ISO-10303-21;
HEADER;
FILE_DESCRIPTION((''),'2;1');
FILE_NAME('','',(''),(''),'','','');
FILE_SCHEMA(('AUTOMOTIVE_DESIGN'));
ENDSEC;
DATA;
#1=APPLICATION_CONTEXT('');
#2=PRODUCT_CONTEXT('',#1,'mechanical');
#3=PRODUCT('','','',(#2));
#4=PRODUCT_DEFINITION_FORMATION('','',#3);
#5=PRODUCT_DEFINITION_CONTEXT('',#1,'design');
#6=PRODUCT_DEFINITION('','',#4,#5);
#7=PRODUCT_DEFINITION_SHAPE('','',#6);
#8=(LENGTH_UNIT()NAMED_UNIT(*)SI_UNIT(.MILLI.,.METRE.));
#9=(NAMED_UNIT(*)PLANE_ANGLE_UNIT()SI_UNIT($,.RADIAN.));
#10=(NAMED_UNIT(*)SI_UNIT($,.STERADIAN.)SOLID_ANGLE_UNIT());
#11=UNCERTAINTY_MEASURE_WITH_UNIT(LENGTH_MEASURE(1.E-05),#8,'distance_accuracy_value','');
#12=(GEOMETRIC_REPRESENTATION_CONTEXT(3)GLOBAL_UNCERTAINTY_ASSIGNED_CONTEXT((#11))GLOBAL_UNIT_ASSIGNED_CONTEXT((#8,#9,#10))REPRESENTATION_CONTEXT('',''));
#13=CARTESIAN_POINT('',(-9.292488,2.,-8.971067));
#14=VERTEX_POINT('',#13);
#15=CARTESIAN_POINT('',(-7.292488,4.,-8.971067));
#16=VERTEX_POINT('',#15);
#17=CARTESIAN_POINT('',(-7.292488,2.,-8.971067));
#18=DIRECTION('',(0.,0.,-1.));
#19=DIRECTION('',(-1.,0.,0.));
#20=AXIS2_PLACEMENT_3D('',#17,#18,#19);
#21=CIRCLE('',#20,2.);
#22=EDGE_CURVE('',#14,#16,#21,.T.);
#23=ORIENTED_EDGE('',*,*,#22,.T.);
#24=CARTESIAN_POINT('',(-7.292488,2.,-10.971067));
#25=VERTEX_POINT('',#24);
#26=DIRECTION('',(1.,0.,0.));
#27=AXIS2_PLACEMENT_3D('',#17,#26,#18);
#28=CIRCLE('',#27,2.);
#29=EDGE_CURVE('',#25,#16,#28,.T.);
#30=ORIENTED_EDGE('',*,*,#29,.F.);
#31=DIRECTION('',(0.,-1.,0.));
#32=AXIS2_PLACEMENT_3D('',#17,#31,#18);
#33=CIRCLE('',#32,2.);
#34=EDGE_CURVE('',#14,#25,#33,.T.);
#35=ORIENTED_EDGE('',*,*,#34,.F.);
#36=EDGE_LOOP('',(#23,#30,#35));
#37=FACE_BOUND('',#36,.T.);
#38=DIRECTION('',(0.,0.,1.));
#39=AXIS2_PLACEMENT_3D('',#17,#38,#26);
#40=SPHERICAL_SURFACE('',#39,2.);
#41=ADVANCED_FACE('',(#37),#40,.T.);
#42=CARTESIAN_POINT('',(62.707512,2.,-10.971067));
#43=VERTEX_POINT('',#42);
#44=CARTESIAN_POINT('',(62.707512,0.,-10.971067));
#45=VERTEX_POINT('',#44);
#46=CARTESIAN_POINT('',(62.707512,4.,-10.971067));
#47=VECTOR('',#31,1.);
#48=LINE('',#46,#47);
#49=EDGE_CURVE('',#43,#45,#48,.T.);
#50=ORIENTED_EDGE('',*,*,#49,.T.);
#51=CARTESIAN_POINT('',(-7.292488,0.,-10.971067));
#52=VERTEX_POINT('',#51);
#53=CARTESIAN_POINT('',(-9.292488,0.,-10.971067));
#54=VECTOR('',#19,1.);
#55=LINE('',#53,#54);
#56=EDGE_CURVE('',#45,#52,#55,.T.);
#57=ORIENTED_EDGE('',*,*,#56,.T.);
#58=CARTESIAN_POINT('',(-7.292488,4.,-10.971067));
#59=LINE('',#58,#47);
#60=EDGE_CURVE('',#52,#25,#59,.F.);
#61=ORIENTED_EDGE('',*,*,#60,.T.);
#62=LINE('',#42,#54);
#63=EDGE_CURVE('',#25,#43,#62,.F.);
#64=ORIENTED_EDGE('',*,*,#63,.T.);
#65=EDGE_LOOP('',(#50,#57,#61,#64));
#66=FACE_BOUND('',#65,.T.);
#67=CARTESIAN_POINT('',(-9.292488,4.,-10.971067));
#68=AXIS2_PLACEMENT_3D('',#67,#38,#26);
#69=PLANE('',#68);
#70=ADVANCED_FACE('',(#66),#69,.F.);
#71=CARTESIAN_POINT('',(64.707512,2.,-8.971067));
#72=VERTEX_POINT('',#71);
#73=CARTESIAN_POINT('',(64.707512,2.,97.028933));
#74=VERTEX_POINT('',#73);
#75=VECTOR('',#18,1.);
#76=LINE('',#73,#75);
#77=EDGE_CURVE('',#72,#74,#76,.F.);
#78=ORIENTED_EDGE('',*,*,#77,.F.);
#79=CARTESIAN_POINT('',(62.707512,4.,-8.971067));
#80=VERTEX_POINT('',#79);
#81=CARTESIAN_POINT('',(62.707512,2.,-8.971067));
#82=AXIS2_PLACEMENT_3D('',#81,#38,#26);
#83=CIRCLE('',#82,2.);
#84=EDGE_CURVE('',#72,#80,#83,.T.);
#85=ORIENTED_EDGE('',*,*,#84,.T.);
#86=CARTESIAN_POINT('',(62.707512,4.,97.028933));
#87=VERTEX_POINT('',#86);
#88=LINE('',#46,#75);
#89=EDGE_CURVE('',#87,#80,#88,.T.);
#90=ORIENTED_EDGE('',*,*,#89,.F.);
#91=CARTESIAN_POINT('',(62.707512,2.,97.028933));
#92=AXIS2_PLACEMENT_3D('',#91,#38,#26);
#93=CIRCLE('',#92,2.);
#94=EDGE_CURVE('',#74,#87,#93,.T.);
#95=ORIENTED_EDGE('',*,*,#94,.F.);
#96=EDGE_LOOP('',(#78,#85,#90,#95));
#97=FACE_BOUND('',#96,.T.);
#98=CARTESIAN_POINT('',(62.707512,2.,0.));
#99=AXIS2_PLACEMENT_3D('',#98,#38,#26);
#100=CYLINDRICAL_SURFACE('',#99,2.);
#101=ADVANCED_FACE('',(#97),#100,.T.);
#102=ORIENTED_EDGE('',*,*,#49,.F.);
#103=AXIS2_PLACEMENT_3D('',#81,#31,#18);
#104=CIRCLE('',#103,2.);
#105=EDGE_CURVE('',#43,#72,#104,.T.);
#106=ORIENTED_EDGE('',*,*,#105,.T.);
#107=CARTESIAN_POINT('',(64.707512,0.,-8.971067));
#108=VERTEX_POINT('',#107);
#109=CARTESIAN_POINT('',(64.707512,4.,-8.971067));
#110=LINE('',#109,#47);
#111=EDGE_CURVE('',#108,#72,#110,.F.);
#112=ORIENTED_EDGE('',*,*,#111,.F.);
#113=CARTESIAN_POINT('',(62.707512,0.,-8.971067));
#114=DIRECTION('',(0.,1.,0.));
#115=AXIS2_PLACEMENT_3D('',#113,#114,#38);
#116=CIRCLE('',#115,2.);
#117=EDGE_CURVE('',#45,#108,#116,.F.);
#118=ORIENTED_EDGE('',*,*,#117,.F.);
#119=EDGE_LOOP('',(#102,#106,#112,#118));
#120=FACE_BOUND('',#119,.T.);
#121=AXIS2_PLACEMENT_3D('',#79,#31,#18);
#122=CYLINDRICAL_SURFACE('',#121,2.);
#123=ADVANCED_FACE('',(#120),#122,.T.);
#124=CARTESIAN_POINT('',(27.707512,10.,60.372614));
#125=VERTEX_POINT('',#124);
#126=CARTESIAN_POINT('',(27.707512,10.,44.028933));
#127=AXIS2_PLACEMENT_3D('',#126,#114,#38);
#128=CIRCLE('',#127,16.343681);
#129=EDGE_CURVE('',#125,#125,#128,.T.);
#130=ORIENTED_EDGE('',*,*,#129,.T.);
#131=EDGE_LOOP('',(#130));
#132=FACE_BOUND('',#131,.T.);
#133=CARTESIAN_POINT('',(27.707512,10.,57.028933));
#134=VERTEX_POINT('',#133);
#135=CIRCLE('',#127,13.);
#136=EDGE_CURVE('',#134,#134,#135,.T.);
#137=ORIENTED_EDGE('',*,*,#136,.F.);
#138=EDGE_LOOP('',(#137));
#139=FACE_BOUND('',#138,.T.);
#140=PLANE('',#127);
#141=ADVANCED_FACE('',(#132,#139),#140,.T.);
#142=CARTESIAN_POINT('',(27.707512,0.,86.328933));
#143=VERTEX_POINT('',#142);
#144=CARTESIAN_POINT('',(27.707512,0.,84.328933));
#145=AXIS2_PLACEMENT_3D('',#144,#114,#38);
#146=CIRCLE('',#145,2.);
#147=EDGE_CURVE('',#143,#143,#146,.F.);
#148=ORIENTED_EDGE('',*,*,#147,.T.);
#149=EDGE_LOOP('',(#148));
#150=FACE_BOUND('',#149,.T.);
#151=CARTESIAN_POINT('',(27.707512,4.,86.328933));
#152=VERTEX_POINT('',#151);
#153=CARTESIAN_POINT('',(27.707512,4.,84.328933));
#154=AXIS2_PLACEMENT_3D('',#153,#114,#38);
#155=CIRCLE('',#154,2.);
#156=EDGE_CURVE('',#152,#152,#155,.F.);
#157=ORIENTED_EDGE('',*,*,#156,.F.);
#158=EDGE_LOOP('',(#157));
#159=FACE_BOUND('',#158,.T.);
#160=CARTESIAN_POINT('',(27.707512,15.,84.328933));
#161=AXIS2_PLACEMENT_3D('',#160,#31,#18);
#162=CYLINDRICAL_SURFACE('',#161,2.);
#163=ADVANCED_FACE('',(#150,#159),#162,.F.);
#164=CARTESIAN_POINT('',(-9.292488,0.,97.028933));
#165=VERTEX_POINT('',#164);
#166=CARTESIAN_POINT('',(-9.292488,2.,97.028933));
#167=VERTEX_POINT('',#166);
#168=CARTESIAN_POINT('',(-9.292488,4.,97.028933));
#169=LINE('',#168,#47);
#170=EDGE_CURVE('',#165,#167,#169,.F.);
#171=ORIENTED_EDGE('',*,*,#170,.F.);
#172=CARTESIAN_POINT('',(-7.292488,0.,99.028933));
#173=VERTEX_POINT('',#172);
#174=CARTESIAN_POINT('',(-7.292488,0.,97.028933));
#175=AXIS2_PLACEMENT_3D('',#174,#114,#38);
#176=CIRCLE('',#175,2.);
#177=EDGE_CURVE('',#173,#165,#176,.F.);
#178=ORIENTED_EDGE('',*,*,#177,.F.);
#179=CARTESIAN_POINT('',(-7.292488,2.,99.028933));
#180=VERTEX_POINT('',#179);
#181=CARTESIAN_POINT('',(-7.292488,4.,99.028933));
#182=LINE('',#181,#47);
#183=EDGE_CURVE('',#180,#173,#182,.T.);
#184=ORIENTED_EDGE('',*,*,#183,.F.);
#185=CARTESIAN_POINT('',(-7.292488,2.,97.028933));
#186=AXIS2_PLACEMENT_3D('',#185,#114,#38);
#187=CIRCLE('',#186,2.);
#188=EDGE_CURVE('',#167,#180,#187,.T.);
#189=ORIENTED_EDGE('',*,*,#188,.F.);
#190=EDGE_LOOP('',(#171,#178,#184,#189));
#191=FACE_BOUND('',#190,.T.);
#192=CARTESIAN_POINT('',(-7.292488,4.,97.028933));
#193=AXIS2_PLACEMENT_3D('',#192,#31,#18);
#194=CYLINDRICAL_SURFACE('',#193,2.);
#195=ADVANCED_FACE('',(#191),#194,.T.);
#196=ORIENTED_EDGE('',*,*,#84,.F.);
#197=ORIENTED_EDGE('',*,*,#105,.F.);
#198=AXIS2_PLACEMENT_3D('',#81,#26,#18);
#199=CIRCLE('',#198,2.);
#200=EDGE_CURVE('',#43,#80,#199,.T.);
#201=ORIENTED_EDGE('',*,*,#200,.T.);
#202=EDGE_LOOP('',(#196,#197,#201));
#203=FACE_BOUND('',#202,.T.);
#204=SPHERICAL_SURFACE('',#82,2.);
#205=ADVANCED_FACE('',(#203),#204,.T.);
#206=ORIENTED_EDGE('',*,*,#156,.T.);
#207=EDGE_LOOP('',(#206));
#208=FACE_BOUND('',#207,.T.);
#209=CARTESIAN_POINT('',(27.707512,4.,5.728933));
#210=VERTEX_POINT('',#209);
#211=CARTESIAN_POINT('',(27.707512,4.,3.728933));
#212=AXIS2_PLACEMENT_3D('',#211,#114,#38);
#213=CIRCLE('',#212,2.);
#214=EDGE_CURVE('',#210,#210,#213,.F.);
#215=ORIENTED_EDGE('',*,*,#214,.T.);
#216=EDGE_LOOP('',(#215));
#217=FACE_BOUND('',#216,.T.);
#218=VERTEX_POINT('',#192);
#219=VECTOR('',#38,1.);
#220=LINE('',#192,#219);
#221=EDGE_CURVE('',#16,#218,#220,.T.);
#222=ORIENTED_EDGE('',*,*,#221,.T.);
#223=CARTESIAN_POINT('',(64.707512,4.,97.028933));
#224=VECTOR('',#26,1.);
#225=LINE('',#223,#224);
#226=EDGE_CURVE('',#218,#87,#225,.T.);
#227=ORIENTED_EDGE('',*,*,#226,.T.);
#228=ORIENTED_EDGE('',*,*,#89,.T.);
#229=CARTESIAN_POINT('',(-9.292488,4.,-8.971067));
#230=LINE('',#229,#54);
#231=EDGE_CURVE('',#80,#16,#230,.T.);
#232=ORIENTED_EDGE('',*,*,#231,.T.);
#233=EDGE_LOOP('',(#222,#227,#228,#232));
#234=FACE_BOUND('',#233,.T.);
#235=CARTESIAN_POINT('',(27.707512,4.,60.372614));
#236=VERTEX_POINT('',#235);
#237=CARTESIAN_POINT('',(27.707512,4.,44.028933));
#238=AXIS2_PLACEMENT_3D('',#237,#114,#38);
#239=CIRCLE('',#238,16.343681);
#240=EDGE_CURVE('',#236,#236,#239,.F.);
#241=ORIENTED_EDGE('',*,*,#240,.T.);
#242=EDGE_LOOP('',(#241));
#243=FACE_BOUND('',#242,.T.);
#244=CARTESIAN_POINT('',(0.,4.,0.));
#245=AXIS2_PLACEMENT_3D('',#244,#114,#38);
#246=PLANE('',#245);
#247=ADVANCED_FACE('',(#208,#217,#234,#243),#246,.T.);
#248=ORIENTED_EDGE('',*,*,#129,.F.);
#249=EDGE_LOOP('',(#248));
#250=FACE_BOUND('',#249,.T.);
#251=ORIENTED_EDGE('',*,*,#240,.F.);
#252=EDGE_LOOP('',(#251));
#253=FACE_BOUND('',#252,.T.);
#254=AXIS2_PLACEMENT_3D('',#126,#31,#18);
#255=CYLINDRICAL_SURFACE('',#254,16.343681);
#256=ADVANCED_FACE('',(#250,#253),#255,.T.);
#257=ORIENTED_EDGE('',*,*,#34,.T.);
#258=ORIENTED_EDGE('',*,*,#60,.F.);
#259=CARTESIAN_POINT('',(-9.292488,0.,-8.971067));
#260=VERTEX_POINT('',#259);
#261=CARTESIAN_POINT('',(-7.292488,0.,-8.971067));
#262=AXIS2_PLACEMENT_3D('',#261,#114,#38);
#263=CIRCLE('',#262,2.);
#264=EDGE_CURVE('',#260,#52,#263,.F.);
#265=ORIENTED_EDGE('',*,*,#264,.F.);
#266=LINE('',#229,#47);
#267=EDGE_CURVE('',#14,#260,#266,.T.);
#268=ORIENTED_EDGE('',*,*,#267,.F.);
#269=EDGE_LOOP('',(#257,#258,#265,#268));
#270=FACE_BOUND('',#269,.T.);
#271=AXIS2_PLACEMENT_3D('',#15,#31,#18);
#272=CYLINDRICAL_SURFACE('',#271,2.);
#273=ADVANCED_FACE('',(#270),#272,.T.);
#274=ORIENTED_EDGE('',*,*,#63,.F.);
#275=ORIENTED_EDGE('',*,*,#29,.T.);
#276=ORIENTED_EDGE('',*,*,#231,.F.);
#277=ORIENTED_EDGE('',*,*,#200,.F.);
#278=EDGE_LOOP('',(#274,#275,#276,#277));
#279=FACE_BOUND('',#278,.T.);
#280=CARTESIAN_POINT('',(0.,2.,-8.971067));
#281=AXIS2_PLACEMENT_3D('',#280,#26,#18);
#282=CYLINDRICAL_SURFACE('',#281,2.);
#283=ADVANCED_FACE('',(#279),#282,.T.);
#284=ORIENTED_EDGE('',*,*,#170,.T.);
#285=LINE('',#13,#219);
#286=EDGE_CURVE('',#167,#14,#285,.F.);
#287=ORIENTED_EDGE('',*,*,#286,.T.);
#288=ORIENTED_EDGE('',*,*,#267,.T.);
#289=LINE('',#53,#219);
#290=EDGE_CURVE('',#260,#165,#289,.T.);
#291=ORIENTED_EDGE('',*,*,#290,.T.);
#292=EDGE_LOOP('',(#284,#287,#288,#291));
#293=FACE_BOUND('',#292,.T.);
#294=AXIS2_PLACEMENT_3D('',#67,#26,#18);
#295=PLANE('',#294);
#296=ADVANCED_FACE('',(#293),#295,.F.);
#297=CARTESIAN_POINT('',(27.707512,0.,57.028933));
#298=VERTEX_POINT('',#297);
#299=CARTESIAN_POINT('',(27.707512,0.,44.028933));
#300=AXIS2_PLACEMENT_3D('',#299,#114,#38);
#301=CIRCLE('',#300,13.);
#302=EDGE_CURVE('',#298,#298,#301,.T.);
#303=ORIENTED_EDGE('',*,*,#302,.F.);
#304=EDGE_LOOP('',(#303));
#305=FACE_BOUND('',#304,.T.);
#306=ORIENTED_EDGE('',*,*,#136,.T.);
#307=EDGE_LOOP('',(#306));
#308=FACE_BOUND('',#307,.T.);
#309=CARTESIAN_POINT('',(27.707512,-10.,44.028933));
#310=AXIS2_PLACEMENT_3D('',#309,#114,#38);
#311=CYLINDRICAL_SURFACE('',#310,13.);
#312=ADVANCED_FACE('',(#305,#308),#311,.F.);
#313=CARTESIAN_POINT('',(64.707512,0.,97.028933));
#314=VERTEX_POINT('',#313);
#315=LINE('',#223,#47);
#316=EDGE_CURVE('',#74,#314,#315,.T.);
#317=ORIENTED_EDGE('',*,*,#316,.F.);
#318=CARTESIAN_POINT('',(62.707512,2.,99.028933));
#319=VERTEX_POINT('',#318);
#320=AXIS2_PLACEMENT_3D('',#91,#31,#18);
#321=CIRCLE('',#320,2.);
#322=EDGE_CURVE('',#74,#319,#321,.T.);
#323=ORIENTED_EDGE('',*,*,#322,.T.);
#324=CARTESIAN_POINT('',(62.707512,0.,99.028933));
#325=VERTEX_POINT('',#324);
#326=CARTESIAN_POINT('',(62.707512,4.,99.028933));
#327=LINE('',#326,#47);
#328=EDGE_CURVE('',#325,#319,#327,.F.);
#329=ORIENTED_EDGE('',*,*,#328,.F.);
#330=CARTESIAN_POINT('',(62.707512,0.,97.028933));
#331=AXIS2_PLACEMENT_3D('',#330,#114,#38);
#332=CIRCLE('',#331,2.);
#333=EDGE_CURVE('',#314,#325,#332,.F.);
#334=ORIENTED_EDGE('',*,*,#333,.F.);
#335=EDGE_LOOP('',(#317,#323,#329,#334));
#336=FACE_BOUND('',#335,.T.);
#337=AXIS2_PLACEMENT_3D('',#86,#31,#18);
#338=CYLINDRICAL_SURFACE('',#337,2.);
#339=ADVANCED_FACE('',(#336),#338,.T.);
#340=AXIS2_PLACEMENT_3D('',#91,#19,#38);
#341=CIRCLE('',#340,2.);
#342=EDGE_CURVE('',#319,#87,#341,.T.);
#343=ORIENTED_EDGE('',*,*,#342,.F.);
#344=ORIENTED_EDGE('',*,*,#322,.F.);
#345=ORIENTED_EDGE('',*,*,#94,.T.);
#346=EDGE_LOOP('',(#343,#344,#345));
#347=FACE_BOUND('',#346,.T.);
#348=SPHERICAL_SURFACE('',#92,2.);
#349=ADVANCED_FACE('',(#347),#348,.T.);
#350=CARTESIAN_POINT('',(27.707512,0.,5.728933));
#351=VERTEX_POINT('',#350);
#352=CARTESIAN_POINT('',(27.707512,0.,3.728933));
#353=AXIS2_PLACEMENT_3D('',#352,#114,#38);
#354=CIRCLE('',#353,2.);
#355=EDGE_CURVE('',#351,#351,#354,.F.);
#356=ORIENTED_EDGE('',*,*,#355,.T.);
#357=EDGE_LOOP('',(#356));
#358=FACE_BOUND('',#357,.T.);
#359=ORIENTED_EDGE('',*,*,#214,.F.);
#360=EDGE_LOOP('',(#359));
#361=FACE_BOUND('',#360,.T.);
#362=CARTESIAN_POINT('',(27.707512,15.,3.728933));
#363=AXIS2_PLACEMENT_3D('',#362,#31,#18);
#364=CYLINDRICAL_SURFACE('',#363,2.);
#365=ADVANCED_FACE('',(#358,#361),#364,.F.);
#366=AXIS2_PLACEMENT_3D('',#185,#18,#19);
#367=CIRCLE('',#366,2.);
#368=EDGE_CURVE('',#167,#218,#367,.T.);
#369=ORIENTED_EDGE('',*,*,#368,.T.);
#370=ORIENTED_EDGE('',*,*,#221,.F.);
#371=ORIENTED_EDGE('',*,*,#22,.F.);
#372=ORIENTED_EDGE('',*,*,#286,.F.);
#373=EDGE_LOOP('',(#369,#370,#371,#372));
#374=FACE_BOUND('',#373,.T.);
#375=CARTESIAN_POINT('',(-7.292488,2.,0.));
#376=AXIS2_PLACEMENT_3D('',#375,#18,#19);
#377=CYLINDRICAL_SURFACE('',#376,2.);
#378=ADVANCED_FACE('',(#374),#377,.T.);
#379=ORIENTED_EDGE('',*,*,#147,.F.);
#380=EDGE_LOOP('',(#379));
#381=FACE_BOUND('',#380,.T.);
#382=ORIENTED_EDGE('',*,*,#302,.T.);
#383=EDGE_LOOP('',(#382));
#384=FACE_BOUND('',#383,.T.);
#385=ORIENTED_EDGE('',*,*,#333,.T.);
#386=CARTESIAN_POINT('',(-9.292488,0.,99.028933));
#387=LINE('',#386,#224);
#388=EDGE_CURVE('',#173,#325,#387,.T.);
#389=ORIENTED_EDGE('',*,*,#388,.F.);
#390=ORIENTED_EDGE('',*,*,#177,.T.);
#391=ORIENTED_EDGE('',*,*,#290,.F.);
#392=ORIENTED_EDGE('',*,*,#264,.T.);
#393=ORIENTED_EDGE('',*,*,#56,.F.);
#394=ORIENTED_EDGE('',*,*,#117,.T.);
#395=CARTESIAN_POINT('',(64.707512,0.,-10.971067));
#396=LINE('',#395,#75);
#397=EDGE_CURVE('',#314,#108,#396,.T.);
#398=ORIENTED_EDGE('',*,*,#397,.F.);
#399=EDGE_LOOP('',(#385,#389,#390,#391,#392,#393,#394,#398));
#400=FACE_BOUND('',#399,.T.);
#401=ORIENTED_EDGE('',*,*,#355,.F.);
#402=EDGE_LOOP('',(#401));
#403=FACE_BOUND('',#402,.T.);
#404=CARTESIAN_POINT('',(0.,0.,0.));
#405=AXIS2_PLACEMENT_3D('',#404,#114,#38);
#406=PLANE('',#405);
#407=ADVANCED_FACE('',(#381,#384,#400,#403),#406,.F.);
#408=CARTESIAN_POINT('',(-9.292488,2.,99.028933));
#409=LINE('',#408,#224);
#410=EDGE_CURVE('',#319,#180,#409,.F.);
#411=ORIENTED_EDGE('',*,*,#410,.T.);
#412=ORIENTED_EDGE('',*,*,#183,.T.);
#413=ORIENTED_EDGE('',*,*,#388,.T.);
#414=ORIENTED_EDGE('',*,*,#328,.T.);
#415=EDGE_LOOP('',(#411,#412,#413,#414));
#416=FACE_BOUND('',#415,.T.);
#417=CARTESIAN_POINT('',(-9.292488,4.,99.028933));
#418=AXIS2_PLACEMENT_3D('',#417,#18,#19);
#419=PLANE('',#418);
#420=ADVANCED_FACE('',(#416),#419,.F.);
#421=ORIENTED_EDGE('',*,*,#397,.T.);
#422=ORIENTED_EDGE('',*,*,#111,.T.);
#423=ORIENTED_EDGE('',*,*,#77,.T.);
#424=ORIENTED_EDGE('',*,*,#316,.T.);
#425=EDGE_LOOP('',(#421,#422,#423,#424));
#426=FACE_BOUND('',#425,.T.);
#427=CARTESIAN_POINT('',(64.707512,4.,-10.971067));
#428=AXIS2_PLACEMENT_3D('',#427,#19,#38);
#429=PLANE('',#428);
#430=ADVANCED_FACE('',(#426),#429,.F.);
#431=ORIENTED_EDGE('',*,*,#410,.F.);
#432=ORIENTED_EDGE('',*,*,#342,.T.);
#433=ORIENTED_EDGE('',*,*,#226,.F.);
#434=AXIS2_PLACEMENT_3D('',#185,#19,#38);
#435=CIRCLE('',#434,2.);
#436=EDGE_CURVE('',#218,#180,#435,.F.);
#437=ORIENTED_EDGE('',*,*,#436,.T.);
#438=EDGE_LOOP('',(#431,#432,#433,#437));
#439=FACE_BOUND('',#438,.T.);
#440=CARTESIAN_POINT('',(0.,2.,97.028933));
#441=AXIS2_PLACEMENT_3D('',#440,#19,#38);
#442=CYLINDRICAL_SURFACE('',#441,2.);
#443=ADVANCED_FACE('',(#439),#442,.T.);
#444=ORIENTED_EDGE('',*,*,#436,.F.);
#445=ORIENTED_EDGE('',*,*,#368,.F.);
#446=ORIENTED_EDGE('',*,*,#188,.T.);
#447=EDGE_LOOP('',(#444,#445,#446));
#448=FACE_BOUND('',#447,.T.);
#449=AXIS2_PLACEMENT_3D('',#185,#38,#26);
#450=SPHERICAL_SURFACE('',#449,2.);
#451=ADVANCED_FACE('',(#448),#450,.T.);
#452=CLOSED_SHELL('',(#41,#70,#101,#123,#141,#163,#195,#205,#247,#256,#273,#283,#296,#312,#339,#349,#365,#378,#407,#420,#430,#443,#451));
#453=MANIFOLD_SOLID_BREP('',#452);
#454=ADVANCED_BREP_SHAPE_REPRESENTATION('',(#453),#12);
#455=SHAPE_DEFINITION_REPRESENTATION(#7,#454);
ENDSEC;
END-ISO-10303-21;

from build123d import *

# Parameters (mm, degrees)
ESBO_O1_W                  = 74
ESBO_O1_H                  = 110
RESSALTO_EXTRUS_O1_DEPTH   = 4
FILETE1_R                  = 2
FILETE2_R                  = 2
FILETE3_R                  = 2
FILETE4_R                  = 2
CORTE_EXTRUS_O1_DEPTH      = 15
CORTE_EXTRUS_O1_DEPTH_BACK = 10
ESBO_O2_R                  = 13
CORTE_EXTRUS_O3_DEPTH      = 15
CORTE_EXTRUS_O3_DEPTH_BACK = 15
ESBO_O3_R                  = 2
ESBO_O4_R                  = 16.343681483
ESBO_O4_R_2                = 13
RESSALTO_EXTRUS_O2_DEPTH   = 10


with BuildPart() as part:
    # Esboço1 → Ressalto-extrusão1 (new body)
    with BuildSketch(Plane(origin=(0, 0, 0), x_dir=(1, 0, 0), z_dir=(0, 1, 0))):
        with Locations((27.707512014, -44.028932547)):
            Rectangle(ESBO_O1_W, ESBO_O1_H)
    extrude(amount=RESSALTO_EXTRUS_O1_DEPTH)

    # Filete1
    filete1_edges = [part.edges().sort_by_distance(p)[0] for p in [
        (27.707512014, 4, 99.028932547),
    ]]
    fillet(filete1_edges, radius=FILETE1_R)

    # Filete2
    filete2_edges = [part.edges().sort_by_distance(p)[0] for p in [
        (64.707512014, 4, 43.028932547),
        (64.707512014, 1, 99.028932547),
        (64.707512014, 3.414213562, 98.443146109),
    ]]
    fillet(filete2_edges, radius=FILETE2_R)

    # Filete3
    filete3_edges = [part.edges().sort_by_distance(p)[0] for p in [
        (64.707512014, 1, -10.971067453),
        (26.707512014, 4, -10.971067453),
        (64.121725576, 3.414213562, -10.971067453),
    ]]
    fillet(filete3_edges, radius=FILETE3_R)

    # Filete4
    filete4_edges = [part.edges().sort_by_distance(p)[0] for p in [
        (-9.292487986, 1, 99.028932547),
        (-9.292487986, 3.414213562, 98.443146109),
        (-9.292487986, 1, -10.971067453),
        (-9.292487986, 4, 44.028932547),
        (-9.292487986, 3.414213562, -10.385281015),
    ]]
    fillet(filete4_edges, radius=FILETE4_R)

    # Esboço2 → Corte-extrusão1 (cut, two sides: drawn at the far end of the back side and taken through both)
    with BuildSketch(Plane(origin=(0, 0, 0), x_dir=(1, 0, 0), z_dir=(0, 1, 0)).offset(-CORTE_EXTRUS_O1_DEPTH_BACK)):
        with Locations(Location((27.707512014, -44.028932547, 0), (0, 0, 270))):
            Circle(ESBO_O2_R)
    extrude(amount=CORTE_EXTRUS_O1_DEPTH + CORTE_EXTRUS_O1_DEPTH_BACK, mode=Mode.SUBTRACT)

    # Esboço3 → Corte-extrusão3 (cut, two sides: drawn at the far end of the back side and taken through both)
    with BuildSketch(Plane(origin=(0, 0, 0), x_dir=(1, 0, 0), z_dir=(0, 1, 0)).offset(-CORTE_EXTRUS_O3_DEPTH_BACK)):
        with Locations(Location((27.707512014, -84.328932547, 0), (0, 0, 270))):
            Circle(ESBO_O3_R)
        with Locations(Location((27.707512014, -3.728932547, 0), (0, 0, 270))):
            Circle(ESBO_O3_R)
    extrude(amount=CORTE_EXTRUS_O3_DEPTH + CORTE_EXTRUS_O3_DEPTH_BACK, mode=Mode.SUBTRACT)

    # Esboço4 → Ressalto-extrusão2 (add)
    with BuildSketch(Plane(origin=(0, 0, 0), x_dir=(1, 0, 0), z_dir=(0, 1, 0))):
        with Locations(Location((27.707512014, -44.028932547, 0), (0, 0, 270))):
            Circle(ESBO_O4_R)
        with Locations(Location((27.707512014, -44.028932547, 0), (0, 0, 270))):
            Circle(ESBO_O4_R_2, mode=Mode.SUBTRACT)
    extrude(amount=RESSALTO_EXTRUS_O2_DEPTH)


solid = part.part
